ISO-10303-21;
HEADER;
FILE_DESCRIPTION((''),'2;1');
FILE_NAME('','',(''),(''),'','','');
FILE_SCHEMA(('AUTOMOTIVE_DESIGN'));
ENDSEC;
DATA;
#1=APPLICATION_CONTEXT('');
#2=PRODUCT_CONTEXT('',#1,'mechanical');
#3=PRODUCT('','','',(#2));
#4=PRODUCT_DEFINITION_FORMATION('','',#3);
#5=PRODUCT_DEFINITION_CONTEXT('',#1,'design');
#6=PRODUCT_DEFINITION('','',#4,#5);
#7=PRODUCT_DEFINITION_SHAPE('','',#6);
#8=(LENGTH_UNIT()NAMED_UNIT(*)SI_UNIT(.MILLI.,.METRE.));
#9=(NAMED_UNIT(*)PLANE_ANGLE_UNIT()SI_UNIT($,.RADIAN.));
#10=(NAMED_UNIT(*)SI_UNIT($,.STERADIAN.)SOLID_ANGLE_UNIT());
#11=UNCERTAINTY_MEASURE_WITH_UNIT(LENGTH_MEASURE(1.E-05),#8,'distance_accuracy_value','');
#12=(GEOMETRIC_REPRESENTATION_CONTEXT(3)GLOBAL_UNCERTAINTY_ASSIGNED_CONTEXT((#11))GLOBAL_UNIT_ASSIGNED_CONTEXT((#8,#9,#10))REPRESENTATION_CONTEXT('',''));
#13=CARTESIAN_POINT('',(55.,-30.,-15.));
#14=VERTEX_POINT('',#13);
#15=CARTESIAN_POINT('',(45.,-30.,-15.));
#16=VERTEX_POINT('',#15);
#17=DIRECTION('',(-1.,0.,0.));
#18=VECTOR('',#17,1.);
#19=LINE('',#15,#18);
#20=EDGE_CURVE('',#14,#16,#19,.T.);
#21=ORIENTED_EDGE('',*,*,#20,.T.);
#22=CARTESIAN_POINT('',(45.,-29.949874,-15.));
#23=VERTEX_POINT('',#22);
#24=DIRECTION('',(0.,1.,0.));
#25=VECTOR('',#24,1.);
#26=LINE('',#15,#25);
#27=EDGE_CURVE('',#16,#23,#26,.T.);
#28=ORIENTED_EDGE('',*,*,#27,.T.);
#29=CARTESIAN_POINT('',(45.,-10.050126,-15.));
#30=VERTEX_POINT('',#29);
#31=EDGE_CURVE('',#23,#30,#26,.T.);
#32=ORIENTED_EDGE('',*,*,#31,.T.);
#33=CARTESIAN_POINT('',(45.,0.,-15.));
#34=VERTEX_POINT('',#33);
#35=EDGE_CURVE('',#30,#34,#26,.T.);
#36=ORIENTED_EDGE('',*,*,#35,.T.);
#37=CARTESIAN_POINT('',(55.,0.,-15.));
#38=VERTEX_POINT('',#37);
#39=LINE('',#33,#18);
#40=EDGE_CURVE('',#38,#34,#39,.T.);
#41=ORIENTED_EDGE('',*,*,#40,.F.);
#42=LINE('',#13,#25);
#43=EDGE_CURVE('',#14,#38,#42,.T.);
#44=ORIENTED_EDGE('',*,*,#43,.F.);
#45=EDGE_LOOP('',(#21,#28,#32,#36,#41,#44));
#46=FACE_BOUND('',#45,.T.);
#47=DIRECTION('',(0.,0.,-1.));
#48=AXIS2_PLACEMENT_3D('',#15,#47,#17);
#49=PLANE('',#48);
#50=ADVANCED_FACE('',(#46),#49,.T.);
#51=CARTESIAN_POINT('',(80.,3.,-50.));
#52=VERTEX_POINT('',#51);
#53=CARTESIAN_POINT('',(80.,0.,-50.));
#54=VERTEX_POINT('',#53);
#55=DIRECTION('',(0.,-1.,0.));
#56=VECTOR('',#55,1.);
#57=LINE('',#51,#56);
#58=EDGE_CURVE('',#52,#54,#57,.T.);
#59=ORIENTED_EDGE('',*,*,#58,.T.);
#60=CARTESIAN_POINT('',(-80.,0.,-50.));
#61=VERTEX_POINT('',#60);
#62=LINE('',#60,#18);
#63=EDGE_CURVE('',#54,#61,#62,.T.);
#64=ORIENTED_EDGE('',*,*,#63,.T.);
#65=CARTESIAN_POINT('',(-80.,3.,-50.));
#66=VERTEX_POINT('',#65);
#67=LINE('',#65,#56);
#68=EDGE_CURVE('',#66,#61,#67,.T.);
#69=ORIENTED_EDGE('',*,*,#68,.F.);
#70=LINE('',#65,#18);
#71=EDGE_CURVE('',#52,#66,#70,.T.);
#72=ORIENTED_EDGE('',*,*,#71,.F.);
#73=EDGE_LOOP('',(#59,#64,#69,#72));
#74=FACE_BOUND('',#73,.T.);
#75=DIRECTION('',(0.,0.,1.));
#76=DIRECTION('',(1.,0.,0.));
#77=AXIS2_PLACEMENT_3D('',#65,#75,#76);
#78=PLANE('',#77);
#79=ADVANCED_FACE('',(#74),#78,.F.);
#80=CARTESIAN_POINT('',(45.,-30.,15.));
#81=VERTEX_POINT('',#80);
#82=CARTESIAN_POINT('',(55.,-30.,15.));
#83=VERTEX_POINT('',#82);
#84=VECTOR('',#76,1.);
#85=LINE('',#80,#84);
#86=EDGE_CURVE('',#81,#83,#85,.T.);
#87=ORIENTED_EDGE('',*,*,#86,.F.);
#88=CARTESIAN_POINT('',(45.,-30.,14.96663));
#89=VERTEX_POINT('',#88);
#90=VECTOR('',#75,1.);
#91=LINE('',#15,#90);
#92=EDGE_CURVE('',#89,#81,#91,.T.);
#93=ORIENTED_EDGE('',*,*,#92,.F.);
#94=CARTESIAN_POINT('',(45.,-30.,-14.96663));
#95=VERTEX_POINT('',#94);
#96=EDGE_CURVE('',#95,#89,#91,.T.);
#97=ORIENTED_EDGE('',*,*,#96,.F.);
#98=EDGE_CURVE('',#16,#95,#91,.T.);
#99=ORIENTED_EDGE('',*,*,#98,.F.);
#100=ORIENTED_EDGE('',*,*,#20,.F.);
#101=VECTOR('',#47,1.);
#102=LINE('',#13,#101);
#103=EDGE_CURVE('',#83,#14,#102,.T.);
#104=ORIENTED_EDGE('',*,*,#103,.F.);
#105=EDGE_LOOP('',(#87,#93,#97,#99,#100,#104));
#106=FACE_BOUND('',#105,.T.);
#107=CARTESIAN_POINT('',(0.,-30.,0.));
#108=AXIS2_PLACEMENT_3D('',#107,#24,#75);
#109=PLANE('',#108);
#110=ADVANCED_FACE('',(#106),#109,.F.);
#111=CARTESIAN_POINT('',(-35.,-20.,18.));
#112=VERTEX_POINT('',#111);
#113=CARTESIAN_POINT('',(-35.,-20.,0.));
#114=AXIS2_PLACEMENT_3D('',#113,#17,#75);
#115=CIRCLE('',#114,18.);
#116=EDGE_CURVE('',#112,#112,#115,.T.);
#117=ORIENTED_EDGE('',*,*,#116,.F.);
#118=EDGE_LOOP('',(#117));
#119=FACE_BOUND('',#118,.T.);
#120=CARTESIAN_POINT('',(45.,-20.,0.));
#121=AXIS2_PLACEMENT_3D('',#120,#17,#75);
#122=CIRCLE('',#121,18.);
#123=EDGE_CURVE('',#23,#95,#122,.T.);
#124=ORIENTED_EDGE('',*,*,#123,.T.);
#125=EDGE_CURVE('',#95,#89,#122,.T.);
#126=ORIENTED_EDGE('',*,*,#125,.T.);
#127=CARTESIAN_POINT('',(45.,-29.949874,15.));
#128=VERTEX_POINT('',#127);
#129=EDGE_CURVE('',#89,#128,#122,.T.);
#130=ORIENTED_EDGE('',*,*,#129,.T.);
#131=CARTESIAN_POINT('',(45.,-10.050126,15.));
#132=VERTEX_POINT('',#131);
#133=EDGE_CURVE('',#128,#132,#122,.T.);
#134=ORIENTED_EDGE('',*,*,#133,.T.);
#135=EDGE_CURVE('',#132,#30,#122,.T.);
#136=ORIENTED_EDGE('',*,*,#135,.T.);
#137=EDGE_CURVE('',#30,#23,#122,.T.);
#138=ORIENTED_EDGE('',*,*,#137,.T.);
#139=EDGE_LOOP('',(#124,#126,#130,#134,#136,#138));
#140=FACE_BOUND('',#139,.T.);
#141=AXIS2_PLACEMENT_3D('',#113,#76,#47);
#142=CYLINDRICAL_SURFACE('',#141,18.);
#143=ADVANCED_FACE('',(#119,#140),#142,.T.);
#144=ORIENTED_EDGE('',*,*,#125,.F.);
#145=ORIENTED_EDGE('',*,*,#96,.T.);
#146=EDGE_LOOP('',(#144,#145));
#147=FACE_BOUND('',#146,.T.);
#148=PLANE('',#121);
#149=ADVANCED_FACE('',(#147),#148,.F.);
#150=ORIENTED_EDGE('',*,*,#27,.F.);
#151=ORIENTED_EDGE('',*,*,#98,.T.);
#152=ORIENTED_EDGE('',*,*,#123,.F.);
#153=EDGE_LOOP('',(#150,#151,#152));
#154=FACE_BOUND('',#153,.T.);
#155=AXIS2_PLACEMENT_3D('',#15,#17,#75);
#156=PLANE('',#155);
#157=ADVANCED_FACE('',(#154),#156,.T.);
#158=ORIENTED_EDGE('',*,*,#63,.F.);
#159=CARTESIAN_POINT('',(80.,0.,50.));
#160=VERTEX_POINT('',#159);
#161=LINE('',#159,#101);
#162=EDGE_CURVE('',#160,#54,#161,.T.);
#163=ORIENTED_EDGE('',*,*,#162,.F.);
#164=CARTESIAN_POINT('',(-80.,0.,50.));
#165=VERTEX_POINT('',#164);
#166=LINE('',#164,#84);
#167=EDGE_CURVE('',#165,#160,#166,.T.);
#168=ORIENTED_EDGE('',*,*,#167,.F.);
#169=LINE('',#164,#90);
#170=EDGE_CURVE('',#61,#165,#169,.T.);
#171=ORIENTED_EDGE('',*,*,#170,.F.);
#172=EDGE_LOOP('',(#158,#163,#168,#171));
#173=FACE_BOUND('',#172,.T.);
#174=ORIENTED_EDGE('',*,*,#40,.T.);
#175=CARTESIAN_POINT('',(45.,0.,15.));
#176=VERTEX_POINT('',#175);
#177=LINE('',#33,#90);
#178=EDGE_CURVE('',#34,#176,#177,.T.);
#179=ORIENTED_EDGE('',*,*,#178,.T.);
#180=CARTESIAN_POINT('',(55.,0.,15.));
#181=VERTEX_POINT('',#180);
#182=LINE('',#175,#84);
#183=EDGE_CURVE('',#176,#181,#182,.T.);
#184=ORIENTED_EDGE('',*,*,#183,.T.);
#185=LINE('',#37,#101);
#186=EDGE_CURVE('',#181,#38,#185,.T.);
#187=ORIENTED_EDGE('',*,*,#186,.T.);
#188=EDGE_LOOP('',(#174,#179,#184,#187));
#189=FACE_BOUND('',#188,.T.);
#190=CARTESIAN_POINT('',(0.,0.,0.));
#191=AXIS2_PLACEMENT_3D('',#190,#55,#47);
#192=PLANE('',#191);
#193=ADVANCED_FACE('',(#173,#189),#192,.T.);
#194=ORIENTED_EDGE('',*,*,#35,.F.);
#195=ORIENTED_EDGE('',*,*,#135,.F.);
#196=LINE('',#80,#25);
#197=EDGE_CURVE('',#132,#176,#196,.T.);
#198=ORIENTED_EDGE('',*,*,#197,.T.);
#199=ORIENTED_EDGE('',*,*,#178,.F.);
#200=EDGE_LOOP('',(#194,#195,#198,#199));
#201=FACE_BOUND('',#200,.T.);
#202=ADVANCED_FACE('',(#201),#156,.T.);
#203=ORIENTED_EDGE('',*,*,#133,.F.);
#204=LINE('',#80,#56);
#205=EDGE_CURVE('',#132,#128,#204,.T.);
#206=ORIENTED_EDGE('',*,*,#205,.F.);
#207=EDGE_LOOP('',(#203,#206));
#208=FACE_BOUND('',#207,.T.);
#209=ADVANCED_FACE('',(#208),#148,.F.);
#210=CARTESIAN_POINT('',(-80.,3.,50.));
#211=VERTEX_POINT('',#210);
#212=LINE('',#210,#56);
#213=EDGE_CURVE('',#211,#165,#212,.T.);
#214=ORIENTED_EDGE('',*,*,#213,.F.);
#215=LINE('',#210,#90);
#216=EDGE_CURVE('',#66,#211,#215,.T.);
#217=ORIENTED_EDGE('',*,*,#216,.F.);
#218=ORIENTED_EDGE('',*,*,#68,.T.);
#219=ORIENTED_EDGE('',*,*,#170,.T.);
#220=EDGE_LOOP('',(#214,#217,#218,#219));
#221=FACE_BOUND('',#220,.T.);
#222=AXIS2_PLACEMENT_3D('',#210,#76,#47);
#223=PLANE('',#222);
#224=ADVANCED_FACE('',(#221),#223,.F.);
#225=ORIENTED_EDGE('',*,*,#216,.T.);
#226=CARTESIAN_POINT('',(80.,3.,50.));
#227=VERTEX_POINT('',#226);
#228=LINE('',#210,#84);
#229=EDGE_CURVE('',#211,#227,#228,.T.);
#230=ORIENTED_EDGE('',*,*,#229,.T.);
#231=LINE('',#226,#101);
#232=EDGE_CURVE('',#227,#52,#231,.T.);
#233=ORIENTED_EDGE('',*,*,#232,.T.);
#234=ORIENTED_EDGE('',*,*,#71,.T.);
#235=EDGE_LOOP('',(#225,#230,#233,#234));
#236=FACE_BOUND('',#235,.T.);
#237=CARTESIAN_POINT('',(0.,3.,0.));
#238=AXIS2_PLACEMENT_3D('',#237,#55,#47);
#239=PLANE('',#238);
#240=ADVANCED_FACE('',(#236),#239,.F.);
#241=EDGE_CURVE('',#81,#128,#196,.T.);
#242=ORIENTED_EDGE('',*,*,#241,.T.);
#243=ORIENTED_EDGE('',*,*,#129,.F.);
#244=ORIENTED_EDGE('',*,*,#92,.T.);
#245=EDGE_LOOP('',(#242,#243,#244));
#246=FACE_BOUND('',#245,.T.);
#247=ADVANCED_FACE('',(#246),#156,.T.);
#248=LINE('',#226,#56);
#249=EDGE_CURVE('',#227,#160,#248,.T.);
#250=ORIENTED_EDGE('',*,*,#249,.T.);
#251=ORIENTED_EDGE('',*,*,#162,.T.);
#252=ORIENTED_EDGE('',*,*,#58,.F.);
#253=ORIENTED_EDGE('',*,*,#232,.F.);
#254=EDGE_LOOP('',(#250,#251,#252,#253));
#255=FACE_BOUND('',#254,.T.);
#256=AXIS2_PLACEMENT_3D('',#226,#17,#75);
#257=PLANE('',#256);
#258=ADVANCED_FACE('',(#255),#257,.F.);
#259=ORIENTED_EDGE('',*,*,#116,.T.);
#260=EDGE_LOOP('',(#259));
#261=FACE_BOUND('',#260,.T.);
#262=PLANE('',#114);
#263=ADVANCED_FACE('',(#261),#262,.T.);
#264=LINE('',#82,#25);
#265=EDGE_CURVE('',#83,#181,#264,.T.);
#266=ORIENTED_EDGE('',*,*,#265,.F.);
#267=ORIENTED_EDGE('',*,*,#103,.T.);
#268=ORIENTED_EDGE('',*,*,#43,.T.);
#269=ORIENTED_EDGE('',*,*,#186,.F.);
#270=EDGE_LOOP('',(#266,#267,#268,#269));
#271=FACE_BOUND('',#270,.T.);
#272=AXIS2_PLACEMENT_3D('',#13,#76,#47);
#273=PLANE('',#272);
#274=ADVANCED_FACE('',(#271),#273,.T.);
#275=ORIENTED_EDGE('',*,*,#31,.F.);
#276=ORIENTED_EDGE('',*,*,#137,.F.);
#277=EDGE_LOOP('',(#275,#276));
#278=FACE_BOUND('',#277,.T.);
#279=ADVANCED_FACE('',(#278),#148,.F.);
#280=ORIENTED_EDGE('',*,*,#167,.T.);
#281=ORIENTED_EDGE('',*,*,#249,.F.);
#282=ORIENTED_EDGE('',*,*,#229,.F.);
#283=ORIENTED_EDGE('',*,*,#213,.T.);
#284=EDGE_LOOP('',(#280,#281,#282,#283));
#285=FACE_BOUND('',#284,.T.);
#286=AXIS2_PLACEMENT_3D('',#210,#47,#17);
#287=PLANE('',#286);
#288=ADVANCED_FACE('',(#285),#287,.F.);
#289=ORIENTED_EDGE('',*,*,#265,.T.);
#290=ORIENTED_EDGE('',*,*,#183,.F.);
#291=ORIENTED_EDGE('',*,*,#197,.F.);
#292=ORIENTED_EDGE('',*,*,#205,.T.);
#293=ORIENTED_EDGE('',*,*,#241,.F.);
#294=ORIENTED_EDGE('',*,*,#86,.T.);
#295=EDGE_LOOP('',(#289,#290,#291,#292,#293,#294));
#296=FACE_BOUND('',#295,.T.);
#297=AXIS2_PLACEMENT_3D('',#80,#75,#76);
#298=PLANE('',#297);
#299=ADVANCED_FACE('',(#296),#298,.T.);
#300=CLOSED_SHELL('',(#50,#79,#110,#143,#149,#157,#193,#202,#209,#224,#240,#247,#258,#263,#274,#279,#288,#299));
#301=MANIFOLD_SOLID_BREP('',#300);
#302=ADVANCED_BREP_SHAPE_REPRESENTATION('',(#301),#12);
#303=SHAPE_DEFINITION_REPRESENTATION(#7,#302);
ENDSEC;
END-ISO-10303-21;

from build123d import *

# Parameters (mm, degrees)
SKETCH1_W           = 160
SKETCH1_H           = 100
BOSS_EXTRUDE1_DEPTH = 3
SKETCH2_W           = 10
SKETCH2_H           = 30
BOSS_EXTRUDE2_DEPTH = 30
SKETCH3_R           = 18
BOSS_EXTRUDE3_DEPTH = 80


with BuildPart() as part:
    # Sketch1 → Boss-Extrude1 (new body)
    with BuildSketch(Plane(origin=(0, 0, 0), x_dir=(1, 0, 0), z_dir=(0, 1, 0))):
        Rectangle(SKETCH1_W, SKETCH1_H)
    extrude(amount=BOSS_EXTRUDE1_DEPTH)

    # Sketch2 → Boss-Extrude2 (add)
    with BuildSketch(Plane(origin=(0, 0, 0), x_dir=(1, 0, 0), z_dir=(0, 1, 0))):
        with Locations((50, 0)):
            Rectangle(SKETCH2_W, SKETCH2_H)
    extrude(amount=-BOSS_EXTRUDE2_DEPTH)

    # Sketch3 → Boss-Extrude3 (add)
    with BuildSketch(Plane.ZY.offset(-45)):
        with Locations(Location((0, -20, 0), (0, 0, 146.442690238))):
            Circle(SKETCH3_R)
    extrude(amount=BOSS_EXTRUDE3_DEPTH)


solid = part.part
